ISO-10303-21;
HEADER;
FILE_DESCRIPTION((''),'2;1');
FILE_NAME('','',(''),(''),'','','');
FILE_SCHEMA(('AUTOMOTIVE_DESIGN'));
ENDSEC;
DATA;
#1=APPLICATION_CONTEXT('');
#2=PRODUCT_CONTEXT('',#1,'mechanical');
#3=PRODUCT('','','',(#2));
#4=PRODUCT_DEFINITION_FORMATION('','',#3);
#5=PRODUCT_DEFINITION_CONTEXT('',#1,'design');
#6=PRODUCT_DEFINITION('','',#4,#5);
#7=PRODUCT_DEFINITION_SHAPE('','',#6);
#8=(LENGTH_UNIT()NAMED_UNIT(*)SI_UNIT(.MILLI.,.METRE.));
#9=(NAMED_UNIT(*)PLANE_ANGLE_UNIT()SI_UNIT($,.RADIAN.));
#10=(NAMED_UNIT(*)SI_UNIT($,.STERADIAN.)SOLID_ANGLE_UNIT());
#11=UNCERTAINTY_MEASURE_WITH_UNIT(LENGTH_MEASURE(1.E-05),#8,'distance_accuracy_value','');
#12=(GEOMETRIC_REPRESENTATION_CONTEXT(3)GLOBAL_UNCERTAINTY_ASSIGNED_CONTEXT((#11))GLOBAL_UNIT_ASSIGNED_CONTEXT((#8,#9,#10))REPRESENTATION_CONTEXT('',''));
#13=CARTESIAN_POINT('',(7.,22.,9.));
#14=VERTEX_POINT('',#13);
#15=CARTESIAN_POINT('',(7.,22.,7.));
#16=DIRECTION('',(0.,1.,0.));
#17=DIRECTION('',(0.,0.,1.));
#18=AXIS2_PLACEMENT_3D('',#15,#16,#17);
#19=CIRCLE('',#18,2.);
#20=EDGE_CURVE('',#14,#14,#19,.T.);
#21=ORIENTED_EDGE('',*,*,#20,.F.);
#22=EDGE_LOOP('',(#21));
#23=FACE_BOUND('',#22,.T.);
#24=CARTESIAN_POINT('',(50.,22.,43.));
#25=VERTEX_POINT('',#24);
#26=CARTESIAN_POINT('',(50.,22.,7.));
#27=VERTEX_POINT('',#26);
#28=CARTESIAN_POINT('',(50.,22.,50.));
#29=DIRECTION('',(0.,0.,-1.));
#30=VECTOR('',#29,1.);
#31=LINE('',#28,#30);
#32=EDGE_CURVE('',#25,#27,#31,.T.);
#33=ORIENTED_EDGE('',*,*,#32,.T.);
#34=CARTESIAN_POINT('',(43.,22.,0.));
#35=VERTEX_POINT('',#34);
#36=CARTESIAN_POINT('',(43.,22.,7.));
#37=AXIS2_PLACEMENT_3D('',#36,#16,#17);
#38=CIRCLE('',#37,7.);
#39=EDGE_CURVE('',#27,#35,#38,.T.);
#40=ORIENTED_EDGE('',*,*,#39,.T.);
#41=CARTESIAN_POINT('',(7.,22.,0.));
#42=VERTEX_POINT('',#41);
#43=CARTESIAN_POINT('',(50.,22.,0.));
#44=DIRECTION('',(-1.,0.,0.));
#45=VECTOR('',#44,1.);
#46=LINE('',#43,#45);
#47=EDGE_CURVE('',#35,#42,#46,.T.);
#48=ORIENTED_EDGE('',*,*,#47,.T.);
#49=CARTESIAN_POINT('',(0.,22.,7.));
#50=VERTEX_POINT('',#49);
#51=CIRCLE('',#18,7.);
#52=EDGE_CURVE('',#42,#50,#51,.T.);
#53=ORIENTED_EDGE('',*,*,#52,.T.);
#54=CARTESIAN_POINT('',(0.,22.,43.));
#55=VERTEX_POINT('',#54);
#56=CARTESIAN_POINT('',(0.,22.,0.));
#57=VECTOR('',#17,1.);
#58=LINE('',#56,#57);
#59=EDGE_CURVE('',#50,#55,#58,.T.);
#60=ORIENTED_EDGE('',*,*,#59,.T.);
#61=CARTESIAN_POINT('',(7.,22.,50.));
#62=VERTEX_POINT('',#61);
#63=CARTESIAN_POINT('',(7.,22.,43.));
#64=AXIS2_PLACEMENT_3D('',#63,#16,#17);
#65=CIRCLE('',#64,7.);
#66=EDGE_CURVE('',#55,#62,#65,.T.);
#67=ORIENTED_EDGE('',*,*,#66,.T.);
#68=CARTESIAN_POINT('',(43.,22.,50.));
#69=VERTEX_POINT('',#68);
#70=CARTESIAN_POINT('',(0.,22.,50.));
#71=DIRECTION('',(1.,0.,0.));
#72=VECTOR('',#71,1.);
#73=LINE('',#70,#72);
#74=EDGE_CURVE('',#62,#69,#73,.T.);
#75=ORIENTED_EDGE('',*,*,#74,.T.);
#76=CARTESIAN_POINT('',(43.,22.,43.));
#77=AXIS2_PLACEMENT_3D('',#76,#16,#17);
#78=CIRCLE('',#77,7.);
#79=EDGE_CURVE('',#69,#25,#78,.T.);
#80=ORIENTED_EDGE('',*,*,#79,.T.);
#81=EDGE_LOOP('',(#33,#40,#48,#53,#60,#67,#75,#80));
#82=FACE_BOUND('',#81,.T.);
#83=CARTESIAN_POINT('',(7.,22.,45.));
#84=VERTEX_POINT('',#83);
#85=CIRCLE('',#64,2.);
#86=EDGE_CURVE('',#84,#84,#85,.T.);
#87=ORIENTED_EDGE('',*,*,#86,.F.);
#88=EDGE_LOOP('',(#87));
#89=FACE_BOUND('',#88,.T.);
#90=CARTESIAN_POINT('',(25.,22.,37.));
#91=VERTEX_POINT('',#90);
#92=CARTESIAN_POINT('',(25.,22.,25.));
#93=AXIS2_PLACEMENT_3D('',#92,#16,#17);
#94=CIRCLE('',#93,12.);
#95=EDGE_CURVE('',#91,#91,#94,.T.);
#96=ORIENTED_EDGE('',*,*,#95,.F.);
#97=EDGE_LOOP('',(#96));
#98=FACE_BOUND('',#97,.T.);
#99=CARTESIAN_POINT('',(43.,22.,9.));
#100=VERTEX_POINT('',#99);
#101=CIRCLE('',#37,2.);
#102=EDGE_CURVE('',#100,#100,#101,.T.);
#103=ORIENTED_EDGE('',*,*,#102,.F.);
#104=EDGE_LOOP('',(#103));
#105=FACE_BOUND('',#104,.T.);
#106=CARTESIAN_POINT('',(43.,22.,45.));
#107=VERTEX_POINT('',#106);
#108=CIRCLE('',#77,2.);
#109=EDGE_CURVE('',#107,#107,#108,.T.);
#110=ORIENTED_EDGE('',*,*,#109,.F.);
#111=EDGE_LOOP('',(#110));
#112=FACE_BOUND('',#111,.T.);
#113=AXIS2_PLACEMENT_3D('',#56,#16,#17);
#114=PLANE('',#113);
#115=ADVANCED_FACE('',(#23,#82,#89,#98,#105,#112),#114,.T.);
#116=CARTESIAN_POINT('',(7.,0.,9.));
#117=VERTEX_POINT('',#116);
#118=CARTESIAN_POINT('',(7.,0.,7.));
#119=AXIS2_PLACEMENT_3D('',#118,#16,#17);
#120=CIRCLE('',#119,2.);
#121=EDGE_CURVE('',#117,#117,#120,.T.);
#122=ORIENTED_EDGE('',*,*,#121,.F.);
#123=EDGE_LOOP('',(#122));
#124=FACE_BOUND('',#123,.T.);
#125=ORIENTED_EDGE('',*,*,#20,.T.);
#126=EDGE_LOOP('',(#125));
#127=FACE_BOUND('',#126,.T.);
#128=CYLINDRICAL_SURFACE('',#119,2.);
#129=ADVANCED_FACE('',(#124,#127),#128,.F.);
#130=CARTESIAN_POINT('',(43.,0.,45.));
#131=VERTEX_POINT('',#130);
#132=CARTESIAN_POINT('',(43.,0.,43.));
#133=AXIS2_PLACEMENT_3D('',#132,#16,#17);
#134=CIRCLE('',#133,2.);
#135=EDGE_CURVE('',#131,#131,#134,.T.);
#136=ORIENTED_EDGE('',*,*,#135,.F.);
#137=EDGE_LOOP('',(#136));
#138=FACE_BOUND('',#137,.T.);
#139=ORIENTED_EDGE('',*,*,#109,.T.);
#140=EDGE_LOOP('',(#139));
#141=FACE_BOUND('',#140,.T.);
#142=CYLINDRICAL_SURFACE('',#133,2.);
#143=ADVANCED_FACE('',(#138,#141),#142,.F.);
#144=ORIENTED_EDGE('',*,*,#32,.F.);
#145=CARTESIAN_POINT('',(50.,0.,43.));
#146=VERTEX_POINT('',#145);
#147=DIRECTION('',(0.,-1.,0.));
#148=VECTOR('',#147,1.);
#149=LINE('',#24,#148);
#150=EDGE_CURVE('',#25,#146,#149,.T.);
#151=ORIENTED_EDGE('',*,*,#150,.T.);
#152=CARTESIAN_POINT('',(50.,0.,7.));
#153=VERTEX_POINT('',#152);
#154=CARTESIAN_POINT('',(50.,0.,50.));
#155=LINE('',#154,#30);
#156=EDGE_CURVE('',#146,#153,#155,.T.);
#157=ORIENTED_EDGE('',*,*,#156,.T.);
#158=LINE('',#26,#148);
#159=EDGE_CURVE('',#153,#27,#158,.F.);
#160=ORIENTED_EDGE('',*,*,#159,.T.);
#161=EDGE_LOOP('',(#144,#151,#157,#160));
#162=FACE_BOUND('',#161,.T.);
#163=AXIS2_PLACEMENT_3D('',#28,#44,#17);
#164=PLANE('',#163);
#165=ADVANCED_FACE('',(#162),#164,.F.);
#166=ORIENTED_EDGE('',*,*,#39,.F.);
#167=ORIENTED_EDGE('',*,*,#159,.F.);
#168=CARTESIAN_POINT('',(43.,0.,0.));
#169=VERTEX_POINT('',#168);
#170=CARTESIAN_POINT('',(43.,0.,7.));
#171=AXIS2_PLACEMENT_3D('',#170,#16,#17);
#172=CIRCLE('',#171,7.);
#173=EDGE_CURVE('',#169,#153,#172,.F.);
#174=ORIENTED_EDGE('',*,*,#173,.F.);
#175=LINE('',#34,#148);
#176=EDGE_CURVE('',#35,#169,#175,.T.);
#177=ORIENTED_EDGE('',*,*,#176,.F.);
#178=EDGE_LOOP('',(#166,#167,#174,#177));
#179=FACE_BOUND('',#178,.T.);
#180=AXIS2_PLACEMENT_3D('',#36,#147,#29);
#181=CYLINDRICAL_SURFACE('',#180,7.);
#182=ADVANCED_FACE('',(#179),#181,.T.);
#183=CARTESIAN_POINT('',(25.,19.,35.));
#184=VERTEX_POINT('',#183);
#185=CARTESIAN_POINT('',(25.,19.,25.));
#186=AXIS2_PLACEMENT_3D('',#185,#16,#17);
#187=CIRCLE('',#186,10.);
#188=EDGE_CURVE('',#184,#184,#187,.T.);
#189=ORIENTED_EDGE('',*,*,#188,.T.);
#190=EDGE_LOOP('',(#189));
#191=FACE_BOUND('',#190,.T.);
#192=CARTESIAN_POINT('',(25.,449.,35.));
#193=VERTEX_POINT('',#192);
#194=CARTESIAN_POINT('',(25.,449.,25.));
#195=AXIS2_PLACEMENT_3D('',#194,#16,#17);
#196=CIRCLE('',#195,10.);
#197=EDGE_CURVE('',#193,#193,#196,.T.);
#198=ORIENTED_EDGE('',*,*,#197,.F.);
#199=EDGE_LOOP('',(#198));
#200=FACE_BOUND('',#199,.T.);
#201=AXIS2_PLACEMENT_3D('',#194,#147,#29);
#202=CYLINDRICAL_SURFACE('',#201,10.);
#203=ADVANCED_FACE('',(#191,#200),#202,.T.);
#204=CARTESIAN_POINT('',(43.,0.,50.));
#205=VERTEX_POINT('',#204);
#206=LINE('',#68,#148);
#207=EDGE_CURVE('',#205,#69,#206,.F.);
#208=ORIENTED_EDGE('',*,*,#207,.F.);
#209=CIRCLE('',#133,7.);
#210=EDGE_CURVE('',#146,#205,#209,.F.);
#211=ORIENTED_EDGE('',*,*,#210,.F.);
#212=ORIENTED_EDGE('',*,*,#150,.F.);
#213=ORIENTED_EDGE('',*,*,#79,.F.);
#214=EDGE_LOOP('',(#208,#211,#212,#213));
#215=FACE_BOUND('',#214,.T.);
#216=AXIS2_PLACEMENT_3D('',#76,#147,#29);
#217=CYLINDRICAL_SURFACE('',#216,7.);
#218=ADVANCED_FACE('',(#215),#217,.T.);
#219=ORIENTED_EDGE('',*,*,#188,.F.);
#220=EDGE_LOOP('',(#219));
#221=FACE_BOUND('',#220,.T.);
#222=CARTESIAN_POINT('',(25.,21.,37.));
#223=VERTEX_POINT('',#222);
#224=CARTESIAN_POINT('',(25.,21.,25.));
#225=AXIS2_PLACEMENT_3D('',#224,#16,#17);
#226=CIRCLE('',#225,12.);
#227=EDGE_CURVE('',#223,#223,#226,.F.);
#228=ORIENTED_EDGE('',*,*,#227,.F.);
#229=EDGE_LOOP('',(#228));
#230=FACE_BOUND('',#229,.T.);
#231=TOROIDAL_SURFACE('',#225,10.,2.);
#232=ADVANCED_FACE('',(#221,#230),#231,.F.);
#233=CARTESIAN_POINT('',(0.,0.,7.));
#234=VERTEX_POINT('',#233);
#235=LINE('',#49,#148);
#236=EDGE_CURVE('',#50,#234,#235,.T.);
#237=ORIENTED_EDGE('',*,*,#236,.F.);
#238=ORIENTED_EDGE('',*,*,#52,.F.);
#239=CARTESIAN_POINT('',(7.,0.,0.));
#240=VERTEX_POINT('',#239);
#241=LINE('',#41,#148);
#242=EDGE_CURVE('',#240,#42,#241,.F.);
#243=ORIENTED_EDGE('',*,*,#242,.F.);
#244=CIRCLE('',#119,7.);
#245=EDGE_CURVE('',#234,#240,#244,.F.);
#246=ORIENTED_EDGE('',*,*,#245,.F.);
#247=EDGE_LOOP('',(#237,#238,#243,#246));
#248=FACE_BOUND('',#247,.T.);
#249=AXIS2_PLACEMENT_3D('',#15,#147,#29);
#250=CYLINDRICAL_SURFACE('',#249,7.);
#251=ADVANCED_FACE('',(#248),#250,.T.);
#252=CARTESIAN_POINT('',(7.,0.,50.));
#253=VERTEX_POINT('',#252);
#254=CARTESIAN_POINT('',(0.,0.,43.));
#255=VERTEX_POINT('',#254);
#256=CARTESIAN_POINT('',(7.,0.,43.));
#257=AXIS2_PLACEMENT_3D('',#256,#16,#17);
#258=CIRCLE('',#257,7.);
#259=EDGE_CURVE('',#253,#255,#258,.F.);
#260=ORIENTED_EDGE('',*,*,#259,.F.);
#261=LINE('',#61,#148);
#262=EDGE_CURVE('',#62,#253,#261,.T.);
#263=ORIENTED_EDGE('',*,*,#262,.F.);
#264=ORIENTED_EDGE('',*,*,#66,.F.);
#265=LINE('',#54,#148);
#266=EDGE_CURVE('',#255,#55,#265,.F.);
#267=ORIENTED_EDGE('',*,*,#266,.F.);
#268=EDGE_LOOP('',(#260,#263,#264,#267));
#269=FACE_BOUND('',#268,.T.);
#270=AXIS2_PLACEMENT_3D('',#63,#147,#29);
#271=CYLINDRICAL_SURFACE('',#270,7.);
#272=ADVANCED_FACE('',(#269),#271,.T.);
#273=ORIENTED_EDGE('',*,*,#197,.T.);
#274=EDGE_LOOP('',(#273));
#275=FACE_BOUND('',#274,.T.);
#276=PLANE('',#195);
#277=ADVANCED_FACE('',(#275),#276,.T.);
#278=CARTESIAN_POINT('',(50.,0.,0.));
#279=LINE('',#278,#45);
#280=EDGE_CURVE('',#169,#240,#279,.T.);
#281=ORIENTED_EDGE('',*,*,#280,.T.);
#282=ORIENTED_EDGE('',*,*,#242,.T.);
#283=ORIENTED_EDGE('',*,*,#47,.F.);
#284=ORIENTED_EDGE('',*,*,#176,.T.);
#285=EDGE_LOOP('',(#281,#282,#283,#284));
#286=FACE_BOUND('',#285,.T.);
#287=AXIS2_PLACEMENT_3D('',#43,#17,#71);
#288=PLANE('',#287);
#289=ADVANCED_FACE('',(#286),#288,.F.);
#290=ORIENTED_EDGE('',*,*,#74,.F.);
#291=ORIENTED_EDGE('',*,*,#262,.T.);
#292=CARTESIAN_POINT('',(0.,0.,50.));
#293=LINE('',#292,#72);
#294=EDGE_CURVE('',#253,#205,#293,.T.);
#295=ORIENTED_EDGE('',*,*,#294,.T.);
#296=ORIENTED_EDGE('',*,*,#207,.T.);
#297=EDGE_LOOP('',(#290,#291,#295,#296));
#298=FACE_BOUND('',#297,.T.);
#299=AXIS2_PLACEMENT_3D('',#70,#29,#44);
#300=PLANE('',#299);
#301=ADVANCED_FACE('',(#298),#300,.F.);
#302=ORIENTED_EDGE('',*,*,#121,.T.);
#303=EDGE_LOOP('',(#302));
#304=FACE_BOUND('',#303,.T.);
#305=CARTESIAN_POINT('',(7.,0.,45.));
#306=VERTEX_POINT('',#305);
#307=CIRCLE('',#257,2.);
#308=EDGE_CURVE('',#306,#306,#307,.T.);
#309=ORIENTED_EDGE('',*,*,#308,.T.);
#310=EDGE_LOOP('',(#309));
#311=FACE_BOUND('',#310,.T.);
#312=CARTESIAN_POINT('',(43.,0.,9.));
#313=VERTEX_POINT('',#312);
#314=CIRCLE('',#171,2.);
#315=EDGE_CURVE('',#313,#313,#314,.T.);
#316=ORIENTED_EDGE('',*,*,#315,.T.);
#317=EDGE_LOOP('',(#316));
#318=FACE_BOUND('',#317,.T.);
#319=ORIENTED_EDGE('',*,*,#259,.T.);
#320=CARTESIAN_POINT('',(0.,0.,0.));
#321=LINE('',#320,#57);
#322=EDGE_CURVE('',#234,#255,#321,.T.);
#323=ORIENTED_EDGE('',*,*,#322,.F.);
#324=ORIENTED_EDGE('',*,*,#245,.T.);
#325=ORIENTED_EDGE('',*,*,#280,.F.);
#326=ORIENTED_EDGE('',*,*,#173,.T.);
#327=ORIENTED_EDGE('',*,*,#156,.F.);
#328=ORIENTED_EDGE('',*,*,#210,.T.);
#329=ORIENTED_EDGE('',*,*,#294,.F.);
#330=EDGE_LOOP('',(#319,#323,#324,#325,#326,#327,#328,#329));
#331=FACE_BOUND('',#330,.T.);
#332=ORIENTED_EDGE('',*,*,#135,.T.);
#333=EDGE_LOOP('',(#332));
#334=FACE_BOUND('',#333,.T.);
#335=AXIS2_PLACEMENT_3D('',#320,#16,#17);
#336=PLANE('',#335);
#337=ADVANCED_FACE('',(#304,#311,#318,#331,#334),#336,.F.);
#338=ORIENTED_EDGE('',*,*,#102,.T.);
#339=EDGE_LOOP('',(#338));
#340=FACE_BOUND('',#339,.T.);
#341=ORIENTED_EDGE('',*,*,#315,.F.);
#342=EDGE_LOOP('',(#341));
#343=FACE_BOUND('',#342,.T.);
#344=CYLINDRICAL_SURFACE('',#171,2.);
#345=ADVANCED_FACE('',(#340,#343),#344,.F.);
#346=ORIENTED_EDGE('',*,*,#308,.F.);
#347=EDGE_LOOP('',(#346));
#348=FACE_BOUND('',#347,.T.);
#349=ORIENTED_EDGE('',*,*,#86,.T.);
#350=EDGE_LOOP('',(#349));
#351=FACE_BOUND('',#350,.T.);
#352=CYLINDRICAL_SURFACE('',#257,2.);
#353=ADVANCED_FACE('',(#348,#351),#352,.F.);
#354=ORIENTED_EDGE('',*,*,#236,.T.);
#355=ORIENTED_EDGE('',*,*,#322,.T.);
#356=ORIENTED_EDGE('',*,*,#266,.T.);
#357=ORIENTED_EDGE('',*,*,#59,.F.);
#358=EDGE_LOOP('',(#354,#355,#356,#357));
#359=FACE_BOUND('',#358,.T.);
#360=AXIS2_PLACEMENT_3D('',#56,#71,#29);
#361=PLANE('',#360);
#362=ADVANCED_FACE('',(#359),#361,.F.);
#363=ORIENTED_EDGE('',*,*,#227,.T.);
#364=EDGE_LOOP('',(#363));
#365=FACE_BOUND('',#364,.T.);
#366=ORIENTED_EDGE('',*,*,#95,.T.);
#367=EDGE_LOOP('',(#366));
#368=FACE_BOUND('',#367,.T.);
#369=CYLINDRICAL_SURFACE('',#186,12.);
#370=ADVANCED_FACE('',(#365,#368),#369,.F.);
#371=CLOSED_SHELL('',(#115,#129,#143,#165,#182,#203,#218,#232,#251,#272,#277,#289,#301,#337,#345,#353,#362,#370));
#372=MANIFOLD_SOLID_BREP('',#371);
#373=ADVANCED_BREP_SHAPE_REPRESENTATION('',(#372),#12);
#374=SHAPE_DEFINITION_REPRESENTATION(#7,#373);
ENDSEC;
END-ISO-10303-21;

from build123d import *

# Parameters (mm, degrees)
SKETCH1_W           = 50
SKETCH1_H           = 50
BOSS_EXTRUDE1_DEPTH = 22
FILLET1_R           = 7
SKETCH2_R           = 2
CUT_EXTRUDE1_DEPTH  = 22
SKETCH3_R           = 12
CUT_EXTRUDE2_DEPTH  = 3
FILLET2_R           = 2
SKETCH4_R           = 10
BOSS_EXTRUDE2_DEPTH = 430


with BuildPart() as part:
    # Sketch1 → Boss-Extrude1 (new body)
    with BuildSketch(Plane(origin=(0, 0, 0), x_dir=(1, 0, 0), z_dir=(0, 1, 0))):
        with Locations((25, -25)):
            Rectangle(SKETCH1_W, SKETCH1_H)
    extrude(amount=BOSS_EXTRUDE1_DEPTH)

    # Fillet1
    fillet1_edges = [part.edges().sort_by_distance(p)[0] for p in [
        (50, 11, 0),
        (50, 11, 50),
        (0, 11, 50),
        (0, 11, 0),
    ]]
    fillet(fillet1_edges, radius=FILLET1_R)

    # Sketch2 → Cut-Extrude1 (cut)
    with BuildSketch(Plane(origin=(0, 22, 0), x_dir=(1, 0, 0), z_dir=(0, 1, 0))):
        with Locations(Location((7, -7, 0), (0, 0, 270))):
            Circle(SKETCH2_R)
        with Locations(Location((7, -43, 0), (0, 0, 270))):
            Circle(SKETCH2_R)
        with Locations(Location((43, -43, 0), (0, 0, 270))):
            Circle(SKETCH2_R)
        with Locations(Location((43, -7, 0), (0, 0, 270))):
            Circle(SKETCH2_R)
    extrude(amount=-CUT_EXTRUDE1_DEPTH, mode=Mode.SUBTRACT)

    # Sketch3 → Cut-Extrude2 (cut)
    with BuildSketch(Plane(origin=(0, 22, 0), x_dir=(1, 0, 0), z_dir=(0, 1, 0))):
        with Locations(Location((25, -25, 0), (0, 0, 270))):
            Circle(SKETCH3_R)
    extrude(amount=-CUT_EXTRUDE2_DEPTH, mode=Mode.SUBTRACT)

    # Fillet2
    fillet2_edges = [part.edges().sort_by_distance(p)[0] for p in [
        (25, 19, 13),
    ]]
    fillet(fillet2_edges, radius=FILLET2_R)

    # Sketch4 → Boss-Extrude2 (add)
    with BuildSketch(Plane(origin=(0, 19, 0), x_dir=(1, 0, 0), z_dir=(0, 1, 0))):
        with Locations(Location((25, -25, 0), (0, 0, 270))):
            Circle(SKETCH4_R)
    extrude(amount=BOSS_EXTRUDE2_DEPTH)


solid = part.part
